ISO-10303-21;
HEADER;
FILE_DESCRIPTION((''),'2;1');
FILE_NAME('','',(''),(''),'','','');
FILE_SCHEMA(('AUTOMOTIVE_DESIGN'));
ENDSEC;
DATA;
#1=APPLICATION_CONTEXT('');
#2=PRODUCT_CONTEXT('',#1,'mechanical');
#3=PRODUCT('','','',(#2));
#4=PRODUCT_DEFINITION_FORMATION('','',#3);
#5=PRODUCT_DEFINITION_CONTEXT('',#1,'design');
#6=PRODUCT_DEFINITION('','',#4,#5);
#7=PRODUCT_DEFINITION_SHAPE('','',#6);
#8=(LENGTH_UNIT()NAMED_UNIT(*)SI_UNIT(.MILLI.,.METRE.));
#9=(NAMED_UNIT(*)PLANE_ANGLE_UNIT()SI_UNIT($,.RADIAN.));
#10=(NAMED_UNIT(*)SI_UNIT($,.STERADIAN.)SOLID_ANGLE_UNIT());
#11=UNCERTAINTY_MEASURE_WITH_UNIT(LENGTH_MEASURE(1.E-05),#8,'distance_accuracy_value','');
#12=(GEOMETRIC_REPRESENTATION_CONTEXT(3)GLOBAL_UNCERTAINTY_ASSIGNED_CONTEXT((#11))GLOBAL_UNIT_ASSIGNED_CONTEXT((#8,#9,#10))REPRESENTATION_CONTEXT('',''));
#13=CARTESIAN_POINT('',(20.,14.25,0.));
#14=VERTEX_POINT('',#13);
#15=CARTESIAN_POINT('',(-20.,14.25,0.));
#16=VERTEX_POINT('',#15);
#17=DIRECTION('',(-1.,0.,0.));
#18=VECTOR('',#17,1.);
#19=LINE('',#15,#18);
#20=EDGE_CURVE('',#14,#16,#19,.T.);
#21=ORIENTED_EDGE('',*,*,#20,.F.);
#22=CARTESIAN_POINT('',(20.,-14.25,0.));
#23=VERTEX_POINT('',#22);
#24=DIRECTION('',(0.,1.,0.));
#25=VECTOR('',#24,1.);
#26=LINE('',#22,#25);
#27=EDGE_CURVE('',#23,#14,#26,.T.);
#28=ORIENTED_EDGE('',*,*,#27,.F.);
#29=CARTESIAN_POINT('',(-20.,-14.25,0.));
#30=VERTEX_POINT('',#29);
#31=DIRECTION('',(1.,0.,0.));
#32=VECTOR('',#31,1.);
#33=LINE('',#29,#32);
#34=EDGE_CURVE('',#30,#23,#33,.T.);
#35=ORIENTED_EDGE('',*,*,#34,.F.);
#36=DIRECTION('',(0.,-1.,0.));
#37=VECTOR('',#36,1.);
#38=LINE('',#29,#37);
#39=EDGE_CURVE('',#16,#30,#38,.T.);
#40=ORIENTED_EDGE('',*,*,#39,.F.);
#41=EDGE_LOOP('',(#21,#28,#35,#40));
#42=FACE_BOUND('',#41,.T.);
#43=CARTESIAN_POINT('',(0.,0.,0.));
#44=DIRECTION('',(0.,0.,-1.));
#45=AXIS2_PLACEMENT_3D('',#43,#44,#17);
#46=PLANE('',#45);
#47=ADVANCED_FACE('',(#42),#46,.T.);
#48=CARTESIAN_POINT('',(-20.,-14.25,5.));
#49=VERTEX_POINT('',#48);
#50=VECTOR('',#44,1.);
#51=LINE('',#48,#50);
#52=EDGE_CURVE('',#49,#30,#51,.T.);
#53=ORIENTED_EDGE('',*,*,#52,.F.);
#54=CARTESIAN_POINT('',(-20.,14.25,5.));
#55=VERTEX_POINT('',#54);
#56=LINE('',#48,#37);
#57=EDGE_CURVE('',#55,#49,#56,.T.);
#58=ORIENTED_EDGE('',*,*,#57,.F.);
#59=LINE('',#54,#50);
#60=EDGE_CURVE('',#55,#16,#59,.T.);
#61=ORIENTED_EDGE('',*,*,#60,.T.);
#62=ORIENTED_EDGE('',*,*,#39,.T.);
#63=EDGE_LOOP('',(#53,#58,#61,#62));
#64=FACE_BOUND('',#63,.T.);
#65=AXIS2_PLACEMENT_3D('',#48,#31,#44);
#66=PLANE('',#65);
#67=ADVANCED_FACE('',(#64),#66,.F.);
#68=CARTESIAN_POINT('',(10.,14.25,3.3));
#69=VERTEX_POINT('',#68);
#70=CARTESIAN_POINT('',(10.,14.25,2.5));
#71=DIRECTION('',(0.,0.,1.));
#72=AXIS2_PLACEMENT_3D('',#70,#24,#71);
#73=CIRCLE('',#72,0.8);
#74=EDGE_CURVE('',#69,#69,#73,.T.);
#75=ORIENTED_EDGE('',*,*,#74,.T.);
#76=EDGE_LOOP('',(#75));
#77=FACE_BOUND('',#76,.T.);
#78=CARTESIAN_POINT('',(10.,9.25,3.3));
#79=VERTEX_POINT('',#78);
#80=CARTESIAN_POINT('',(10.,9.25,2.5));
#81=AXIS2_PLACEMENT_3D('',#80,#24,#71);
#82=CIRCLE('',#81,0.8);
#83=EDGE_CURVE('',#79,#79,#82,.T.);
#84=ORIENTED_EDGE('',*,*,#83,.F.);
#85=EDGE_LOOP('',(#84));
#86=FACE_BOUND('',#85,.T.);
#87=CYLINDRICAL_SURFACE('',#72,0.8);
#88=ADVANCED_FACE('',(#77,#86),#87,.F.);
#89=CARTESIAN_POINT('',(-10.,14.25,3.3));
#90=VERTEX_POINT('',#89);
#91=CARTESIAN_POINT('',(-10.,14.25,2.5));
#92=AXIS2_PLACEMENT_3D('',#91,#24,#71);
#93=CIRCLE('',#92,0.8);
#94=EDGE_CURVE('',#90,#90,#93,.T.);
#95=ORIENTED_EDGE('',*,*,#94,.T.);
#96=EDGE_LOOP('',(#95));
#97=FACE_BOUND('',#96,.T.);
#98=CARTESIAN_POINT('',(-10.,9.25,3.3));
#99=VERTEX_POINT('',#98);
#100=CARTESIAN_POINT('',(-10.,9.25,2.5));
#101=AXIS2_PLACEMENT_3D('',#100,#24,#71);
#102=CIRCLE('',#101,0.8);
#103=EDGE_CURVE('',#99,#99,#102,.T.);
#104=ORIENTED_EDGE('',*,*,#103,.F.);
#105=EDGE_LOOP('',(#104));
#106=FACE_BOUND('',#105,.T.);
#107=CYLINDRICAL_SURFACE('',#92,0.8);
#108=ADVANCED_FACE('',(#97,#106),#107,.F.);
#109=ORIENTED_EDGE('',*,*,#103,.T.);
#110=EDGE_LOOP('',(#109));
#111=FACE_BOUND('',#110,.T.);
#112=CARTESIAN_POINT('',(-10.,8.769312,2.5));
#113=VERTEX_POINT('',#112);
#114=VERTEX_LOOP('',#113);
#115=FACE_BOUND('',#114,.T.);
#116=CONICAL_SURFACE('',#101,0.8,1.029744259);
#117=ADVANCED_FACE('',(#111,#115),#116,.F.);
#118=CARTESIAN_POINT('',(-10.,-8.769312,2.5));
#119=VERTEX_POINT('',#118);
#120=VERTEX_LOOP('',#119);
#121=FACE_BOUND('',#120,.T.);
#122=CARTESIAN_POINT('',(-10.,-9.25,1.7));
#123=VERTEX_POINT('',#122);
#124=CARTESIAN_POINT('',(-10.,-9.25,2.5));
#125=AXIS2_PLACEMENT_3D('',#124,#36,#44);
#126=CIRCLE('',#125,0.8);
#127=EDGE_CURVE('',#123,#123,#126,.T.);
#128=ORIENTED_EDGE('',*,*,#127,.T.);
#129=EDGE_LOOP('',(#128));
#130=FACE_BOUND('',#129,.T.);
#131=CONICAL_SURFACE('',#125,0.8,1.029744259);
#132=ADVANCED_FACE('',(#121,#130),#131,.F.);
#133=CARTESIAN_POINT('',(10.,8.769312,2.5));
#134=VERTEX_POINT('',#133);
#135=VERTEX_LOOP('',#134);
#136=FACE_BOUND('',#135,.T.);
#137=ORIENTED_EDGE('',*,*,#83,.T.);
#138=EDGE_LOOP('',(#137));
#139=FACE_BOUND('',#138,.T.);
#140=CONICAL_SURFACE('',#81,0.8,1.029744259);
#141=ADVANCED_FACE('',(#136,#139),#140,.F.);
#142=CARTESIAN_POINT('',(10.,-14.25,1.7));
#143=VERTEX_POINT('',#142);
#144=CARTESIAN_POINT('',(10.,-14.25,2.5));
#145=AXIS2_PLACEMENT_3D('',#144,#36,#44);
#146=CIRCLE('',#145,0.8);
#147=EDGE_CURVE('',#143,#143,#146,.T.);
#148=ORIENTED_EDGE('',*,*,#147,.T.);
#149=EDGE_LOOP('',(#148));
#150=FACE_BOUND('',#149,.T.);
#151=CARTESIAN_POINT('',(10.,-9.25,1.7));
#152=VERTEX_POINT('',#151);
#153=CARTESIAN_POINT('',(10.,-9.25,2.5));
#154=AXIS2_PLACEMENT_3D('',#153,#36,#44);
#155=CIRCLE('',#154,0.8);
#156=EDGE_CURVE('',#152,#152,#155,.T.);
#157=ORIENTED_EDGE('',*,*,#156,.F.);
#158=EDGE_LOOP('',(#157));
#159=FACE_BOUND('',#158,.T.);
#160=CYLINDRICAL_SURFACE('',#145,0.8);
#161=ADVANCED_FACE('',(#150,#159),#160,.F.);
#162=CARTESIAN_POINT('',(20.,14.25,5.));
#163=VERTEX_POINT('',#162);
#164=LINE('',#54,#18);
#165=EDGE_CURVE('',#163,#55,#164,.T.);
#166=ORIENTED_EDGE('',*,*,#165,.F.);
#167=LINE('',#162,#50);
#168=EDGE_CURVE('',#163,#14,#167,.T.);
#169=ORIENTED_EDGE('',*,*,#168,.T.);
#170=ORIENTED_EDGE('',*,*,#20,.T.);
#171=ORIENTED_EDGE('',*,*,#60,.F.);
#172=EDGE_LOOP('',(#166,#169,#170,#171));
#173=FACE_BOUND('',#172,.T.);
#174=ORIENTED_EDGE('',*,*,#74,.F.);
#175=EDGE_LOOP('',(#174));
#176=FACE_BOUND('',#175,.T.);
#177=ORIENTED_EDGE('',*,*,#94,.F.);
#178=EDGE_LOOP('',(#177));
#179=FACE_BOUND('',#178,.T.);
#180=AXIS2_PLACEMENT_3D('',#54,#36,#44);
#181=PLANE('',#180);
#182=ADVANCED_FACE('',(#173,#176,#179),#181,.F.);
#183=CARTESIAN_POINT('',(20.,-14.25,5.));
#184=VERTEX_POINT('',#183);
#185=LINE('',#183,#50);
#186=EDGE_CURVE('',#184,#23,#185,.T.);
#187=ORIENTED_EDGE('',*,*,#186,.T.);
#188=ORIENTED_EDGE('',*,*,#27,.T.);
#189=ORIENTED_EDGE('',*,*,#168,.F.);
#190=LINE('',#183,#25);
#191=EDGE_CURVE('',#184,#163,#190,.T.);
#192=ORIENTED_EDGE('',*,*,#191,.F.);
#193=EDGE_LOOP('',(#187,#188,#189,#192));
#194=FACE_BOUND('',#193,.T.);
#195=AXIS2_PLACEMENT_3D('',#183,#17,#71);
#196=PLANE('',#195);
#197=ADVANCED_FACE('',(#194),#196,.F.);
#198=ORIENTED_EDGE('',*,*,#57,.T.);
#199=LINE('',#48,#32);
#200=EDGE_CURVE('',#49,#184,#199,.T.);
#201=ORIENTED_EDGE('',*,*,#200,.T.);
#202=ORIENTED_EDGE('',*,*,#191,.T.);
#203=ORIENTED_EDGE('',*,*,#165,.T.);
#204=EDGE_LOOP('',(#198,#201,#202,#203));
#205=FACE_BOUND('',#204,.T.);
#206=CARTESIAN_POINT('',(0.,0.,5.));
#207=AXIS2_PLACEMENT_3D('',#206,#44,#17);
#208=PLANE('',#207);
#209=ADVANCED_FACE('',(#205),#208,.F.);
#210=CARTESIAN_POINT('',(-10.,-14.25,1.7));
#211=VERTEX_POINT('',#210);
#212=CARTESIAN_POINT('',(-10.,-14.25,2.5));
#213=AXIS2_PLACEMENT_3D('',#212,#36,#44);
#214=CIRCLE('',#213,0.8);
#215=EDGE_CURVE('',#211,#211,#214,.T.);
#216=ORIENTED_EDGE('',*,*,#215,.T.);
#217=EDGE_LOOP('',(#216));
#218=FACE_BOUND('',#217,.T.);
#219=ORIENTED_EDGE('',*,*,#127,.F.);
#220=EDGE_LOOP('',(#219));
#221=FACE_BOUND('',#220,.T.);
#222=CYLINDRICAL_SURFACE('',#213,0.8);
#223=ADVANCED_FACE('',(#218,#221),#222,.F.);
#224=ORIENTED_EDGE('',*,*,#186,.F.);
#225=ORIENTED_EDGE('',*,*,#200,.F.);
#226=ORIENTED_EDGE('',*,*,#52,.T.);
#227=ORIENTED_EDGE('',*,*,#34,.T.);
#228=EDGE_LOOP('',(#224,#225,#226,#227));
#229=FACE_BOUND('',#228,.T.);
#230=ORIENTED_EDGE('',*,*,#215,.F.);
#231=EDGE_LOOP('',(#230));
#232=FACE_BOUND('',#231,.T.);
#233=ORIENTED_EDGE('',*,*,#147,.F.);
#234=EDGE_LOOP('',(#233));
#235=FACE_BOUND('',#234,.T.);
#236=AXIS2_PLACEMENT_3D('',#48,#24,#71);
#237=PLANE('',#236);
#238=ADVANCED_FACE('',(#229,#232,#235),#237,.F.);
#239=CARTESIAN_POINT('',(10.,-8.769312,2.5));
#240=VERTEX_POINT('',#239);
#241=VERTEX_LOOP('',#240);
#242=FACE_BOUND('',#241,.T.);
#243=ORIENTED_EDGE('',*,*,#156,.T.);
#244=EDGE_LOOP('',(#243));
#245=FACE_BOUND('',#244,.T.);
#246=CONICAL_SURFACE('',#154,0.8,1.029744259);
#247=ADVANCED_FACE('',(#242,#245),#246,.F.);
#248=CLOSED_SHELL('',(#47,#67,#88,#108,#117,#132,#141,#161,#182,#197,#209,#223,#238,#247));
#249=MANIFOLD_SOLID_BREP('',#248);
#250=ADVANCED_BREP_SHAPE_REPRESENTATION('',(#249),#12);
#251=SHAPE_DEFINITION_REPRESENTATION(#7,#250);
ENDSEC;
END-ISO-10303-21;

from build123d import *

# Parameters (mm, degrees)
SKETCH1_W                  = 40
SKETCH1_H                  = 28.5
BOSS_EXTRUDE1_DEPTH        = 5
M2_TAPPED_HOLE1_AT_2_COUNT = 2
M2_TAPPED_HOLE1_AT_2_PITCH = 20


with BuildPart() as part:
    # Sketch1 → Boss-Extrude1 (new body)
    with BuildSketch(Plane.XY):
        Rectangle(SKETCH1_W, SKETCH1_H)
    extrude(amount=BOSS_EXTRUDE1_DEPTH)

    # Sketch4 → M2 Tapped Hole1 (revolve, cut)
    with BuildSketch(Plane(origin=(-10, 14.25, 2.5), x_dir=(0, 0, 1), z_dir=(1, 0, 0))):
        Polygon((0, 0), (0, 5.480688495), (0.8, 5), (0.8, 0), align=None)
    m2_tapped_hole1 = revolve(axis=Axis((-10, 20.6, 2.5), (0, -1, 0)), mode=Mode.SUBTRACT)

    # M2 Tapped Hole1 at 2: M2 Tapped Hole1 ×2
    with Locations(*[(i * M2_TAPPED_HOLE1_AT_2_PITCH, 0, 0) for i in range(1, M2_TAPPED_HOLE1_AT_2_COUNT)]):
        add(m2_tapped_hole1, mode=Mode.SUBTRACT)

    # Mirror1: M2 Tapped Hole1 across plane
    add(m2_tapped_hole1.mirror(Plane.ZX), mode=Mode.SUBTRACT)

    # Mirror1 copy 1 sketch → Mirror1 copy 1 (revolve, cut)
    with BuildSketch(Plane(origin=(10, -14.25, 2.5), x_dir=(0, 0, 1), z_dir=(1, 0, 0))):
        Polygon((0, 0), (0, -5.480688495), (0.8, -5), (0.8, 0), align=None)
    revolve(axis=Axis((10, -20.6, 2.5), (0, -1, 0)), mode=Mode.SUBTRACT)


solid = part.part
